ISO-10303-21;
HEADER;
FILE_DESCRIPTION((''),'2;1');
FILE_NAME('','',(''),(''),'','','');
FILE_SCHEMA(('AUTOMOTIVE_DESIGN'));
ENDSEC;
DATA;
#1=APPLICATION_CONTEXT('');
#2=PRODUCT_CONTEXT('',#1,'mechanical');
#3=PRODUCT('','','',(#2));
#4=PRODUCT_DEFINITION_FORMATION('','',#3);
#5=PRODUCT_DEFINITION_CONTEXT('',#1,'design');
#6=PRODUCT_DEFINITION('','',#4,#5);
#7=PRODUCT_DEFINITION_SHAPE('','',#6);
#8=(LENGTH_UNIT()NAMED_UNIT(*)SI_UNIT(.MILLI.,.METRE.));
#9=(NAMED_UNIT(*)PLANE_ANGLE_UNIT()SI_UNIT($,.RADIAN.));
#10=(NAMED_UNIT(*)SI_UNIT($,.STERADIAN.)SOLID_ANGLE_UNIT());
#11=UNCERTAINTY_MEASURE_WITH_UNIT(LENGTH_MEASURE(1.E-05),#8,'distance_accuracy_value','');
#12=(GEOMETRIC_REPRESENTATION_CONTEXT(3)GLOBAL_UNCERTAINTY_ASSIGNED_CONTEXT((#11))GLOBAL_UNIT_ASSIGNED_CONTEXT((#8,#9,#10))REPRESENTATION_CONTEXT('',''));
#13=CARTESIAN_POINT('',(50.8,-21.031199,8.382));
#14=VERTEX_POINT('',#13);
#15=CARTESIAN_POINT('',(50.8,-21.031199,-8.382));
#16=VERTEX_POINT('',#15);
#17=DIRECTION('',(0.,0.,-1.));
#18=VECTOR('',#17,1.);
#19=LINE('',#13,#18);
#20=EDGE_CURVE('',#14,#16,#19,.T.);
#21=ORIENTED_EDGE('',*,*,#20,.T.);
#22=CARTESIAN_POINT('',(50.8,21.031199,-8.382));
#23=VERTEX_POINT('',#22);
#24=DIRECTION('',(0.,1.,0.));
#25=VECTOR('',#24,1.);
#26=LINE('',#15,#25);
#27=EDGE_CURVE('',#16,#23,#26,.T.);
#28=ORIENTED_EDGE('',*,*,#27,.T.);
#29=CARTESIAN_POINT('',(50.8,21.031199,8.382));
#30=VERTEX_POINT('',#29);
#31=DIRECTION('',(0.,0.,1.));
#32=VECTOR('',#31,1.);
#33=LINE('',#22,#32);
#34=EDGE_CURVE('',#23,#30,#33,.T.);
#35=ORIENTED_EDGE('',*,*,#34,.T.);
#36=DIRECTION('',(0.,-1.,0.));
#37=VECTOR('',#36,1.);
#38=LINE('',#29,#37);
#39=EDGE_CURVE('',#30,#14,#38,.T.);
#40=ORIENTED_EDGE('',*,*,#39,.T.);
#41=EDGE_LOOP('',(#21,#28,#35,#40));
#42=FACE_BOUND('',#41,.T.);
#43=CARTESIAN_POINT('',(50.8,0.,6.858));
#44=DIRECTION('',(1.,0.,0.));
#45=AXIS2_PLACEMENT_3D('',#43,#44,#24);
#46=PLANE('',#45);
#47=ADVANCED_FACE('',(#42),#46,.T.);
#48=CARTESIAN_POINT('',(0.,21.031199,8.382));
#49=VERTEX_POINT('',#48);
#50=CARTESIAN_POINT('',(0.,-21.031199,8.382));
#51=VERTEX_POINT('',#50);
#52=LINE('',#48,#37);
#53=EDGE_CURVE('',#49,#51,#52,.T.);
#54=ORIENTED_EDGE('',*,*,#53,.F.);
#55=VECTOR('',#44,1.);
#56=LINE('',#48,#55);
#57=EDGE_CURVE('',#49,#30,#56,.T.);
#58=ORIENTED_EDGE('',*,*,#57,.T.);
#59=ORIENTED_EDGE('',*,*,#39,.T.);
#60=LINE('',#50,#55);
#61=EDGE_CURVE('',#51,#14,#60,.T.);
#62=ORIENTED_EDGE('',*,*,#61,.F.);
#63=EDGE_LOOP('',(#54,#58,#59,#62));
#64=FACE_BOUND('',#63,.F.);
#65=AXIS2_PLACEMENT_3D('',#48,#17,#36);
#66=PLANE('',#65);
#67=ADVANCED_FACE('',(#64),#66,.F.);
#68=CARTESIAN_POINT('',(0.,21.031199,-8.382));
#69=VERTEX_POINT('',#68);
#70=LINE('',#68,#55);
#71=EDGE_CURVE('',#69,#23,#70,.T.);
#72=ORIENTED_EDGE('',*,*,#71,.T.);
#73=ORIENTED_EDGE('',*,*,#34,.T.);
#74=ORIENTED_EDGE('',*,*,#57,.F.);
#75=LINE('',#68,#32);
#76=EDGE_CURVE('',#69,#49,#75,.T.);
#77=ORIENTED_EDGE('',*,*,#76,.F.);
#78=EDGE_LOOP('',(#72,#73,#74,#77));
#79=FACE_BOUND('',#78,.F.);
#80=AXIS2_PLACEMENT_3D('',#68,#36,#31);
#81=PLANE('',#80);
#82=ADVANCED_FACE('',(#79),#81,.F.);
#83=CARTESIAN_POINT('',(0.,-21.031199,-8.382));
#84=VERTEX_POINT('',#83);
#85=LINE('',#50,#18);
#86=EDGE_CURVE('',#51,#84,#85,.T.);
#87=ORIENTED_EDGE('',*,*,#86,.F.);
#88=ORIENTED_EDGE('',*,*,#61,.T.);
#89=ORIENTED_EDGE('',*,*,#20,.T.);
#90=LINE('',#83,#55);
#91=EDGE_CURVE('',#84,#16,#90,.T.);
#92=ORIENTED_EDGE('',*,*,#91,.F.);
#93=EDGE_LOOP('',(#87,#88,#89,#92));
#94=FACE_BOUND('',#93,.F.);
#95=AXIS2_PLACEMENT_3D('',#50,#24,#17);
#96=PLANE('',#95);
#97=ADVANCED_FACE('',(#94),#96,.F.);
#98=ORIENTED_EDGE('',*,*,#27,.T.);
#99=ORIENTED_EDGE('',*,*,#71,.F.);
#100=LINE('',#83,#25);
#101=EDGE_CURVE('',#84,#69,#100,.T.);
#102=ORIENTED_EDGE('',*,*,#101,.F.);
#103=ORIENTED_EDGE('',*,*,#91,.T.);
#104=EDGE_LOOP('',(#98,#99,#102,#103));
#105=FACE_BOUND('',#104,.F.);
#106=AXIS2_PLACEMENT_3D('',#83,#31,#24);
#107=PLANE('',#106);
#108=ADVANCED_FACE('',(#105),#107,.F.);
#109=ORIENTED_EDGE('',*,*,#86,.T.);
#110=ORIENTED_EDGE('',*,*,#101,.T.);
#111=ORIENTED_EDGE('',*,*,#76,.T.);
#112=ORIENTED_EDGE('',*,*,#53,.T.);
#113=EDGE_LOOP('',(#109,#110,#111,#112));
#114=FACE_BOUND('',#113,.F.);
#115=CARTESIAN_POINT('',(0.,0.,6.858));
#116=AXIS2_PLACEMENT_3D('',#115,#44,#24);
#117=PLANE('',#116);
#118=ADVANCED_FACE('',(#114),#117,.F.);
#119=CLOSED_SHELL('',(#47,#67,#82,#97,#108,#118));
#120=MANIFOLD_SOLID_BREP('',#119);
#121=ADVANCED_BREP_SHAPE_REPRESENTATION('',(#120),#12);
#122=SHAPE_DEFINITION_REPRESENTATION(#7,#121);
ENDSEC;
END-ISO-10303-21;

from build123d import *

# Parameters (mm, degrees)
F0_W     = 12.1920043603
F0_H     = 3.0480008572
F1_DEPTH = 50.8


with BuildPart() as f1:
    # F0 (on Right) → F1 (new body)
    with BuildSketch(Plane.YZ):
        with Locations((0, 6.8579996005)):
            Rectangle(F0_W, F0_H)
        Polygon((21.0311990231, -8.3820000291), (21.0311990231, 8.3820000291), (6.0960021801, 8.3820000291), (6.0960021801, 5.3339991719), (-6.0960021801, 5.3339991719), (-6.0960021801, 8.3820000291), (-21.0311990231, 8.3820000291), (-21.0311990231, -8.3820000291), (-6.0960021801, -8.3820000291), (-6.0960021801, -5.3339991719), (6.0960021801, -5.3339991719), (6.0960021801, -8.3820000291), align=None)
        with Locations((0, -6.8579996005)):
            Rectangle(F0_W, F0_H)
    extrude(amount=F1_DEPTH)


solid = f1.part
